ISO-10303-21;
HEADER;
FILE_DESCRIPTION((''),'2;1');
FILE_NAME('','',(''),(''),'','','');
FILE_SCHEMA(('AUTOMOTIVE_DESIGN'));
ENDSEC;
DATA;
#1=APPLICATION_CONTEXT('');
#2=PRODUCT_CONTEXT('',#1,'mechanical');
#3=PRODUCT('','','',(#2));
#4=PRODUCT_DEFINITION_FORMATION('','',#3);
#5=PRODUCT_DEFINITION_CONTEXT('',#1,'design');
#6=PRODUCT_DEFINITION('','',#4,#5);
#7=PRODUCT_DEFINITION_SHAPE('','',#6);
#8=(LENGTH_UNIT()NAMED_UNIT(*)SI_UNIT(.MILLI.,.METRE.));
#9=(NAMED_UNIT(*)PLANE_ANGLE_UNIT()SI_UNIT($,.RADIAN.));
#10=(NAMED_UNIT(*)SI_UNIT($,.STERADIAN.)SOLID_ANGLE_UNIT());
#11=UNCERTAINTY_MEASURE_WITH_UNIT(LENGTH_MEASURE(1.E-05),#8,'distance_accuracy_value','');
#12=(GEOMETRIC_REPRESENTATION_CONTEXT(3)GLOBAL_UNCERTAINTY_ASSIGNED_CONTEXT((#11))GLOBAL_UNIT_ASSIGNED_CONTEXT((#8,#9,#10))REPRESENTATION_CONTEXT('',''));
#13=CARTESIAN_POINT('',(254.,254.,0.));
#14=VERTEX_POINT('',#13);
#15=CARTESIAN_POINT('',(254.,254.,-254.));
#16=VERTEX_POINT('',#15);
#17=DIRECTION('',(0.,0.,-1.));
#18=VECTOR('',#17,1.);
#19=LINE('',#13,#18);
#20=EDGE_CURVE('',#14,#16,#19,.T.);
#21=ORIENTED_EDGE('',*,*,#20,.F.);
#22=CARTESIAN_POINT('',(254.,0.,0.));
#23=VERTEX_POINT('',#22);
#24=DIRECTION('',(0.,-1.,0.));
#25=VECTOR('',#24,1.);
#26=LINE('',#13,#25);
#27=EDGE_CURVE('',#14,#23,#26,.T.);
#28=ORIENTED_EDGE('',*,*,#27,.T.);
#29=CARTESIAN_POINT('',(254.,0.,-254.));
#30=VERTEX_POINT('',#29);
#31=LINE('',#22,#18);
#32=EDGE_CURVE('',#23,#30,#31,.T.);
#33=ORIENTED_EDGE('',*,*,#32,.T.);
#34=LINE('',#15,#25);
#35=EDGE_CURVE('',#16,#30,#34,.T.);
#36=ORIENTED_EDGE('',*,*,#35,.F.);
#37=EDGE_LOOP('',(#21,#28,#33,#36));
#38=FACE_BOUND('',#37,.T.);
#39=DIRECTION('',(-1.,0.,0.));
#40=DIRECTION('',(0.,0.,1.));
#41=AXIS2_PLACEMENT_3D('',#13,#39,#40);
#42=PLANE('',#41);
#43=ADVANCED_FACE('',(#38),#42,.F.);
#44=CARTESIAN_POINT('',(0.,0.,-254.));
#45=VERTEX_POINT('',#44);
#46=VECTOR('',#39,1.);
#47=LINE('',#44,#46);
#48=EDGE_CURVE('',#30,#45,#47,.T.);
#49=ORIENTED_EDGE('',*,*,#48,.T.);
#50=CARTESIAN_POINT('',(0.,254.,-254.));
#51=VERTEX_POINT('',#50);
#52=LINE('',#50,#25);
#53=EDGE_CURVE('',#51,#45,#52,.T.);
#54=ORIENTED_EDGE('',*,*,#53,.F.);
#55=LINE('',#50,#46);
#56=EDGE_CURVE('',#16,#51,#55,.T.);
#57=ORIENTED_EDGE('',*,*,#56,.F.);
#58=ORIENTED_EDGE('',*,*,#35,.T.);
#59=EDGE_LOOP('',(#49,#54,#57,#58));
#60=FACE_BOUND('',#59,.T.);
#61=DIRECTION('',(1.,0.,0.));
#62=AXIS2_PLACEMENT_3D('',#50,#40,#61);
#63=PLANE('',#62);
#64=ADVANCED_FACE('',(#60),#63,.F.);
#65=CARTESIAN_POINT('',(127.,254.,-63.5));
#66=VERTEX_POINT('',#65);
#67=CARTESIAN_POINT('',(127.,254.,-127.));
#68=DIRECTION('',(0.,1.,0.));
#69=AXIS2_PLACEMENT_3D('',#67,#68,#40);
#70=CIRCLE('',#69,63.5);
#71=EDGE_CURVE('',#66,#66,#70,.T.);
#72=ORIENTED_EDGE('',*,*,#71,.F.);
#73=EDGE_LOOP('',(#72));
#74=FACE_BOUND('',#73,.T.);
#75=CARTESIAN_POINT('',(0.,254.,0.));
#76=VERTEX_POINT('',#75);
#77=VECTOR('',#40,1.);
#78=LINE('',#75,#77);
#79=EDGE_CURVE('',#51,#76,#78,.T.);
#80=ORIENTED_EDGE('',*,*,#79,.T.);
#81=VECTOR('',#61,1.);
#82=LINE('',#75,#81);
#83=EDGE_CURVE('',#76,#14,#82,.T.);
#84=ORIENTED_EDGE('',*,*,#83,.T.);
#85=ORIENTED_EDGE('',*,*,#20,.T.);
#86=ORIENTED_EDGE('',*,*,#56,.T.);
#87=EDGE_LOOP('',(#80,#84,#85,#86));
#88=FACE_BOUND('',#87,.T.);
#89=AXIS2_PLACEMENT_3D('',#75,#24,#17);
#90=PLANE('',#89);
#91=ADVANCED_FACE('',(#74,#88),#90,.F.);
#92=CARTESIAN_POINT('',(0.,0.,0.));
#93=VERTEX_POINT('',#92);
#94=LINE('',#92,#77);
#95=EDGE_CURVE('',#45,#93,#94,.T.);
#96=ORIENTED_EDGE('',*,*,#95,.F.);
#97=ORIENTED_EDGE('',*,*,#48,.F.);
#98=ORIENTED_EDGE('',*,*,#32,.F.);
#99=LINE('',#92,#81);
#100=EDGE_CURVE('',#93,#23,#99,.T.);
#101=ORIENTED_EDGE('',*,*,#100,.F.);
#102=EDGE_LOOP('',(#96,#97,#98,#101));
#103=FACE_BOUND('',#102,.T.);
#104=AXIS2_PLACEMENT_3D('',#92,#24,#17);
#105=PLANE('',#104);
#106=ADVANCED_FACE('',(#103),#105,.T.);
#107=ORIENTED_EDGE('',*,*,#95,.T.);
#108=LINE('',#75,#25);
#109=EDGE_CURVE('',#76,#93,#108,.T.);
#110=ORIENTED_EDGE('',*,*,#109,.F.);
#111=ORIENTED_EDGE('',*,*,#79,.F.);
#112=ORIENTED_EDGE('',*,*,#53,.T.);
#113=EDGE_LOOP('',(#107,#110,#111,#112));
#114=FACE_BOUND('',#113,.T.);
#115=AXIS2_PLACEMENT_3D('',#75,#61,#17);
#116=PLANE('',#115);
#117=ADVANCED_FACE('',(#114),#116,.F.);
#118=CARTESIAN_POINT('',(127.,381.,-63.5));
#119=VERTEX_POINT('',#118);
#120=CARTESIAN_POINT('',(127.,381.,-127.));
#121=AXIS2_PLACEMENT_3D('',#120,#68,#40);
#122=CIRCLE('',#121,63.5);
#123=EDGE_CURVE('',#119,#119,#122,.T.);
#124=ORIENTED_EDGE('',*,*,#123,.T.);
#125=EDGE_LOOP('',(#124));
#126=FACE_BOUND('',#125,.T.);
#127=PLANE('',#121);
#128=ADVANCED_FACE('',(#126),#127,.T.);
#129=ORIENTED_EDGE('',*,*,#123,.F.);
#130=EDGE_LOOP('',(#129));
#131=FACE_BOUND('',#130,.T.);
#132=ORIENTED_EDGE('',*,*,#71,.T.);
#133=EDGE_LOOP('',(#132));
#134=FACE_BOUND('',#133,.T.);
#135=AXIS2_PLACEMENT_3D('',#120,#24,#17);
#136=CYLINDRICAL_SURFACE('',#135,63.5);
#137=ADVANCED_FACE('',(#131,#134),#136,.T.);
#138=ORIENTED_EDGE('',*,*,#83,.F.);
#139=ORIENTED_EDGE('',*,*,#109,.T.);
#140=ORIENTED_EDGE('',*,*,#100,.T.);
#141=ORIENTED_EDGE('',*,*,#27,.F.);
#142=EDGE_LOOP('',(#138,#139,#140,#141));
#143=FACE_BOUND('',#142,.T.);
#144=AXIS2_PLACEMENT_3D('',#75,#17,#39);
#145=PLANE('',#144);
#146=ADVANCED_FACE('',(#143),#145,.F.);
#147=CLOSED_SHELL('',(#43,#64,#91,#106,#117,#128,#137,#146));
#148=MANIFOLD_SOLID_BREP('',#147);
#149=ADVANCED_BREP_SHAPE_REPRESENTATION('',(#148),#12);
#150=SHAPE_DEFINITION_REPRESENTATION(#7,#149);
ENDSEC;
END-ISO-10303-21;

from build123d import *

# Parameters (mm, degrees)
SKETCH1_W           = 254
SKETCH1_H           = 254
BOSS_EXTRUDE1_DEPTH = 254
SKETCH2_R           = 63.5
BOSS_EXTRUDE2_DEPTH = 127


with BuildPart() as part:
    # Sketch1 → Boss-Extrude1 (new body)
    with BuildSketch(Plane(origin=(0, 0, 0), x_dir=(1, 0, 0), z_dir=(0, 1, 0))):
        with Locations((127, 127)):
            Rectangle(SKETCH1_W, SKETCH1_H)
    extrude(amount=BOSS_EXTRUDE1_DEPTH)

    # Sketch2 → Boss-Extrude2 (add)
    with BuildSketch(Plane(origin=(0, 254, 0), x_dir=(1, 0, 0), z_dir=(0, 1, 0))):
        with Locations(Location((127, 127, 0), (0, 0, 270))):
            Circle(SKETCH2_R)
    extrude(amount=BOSS_EXTRUDE2_DEPTH)


solid = part.part
